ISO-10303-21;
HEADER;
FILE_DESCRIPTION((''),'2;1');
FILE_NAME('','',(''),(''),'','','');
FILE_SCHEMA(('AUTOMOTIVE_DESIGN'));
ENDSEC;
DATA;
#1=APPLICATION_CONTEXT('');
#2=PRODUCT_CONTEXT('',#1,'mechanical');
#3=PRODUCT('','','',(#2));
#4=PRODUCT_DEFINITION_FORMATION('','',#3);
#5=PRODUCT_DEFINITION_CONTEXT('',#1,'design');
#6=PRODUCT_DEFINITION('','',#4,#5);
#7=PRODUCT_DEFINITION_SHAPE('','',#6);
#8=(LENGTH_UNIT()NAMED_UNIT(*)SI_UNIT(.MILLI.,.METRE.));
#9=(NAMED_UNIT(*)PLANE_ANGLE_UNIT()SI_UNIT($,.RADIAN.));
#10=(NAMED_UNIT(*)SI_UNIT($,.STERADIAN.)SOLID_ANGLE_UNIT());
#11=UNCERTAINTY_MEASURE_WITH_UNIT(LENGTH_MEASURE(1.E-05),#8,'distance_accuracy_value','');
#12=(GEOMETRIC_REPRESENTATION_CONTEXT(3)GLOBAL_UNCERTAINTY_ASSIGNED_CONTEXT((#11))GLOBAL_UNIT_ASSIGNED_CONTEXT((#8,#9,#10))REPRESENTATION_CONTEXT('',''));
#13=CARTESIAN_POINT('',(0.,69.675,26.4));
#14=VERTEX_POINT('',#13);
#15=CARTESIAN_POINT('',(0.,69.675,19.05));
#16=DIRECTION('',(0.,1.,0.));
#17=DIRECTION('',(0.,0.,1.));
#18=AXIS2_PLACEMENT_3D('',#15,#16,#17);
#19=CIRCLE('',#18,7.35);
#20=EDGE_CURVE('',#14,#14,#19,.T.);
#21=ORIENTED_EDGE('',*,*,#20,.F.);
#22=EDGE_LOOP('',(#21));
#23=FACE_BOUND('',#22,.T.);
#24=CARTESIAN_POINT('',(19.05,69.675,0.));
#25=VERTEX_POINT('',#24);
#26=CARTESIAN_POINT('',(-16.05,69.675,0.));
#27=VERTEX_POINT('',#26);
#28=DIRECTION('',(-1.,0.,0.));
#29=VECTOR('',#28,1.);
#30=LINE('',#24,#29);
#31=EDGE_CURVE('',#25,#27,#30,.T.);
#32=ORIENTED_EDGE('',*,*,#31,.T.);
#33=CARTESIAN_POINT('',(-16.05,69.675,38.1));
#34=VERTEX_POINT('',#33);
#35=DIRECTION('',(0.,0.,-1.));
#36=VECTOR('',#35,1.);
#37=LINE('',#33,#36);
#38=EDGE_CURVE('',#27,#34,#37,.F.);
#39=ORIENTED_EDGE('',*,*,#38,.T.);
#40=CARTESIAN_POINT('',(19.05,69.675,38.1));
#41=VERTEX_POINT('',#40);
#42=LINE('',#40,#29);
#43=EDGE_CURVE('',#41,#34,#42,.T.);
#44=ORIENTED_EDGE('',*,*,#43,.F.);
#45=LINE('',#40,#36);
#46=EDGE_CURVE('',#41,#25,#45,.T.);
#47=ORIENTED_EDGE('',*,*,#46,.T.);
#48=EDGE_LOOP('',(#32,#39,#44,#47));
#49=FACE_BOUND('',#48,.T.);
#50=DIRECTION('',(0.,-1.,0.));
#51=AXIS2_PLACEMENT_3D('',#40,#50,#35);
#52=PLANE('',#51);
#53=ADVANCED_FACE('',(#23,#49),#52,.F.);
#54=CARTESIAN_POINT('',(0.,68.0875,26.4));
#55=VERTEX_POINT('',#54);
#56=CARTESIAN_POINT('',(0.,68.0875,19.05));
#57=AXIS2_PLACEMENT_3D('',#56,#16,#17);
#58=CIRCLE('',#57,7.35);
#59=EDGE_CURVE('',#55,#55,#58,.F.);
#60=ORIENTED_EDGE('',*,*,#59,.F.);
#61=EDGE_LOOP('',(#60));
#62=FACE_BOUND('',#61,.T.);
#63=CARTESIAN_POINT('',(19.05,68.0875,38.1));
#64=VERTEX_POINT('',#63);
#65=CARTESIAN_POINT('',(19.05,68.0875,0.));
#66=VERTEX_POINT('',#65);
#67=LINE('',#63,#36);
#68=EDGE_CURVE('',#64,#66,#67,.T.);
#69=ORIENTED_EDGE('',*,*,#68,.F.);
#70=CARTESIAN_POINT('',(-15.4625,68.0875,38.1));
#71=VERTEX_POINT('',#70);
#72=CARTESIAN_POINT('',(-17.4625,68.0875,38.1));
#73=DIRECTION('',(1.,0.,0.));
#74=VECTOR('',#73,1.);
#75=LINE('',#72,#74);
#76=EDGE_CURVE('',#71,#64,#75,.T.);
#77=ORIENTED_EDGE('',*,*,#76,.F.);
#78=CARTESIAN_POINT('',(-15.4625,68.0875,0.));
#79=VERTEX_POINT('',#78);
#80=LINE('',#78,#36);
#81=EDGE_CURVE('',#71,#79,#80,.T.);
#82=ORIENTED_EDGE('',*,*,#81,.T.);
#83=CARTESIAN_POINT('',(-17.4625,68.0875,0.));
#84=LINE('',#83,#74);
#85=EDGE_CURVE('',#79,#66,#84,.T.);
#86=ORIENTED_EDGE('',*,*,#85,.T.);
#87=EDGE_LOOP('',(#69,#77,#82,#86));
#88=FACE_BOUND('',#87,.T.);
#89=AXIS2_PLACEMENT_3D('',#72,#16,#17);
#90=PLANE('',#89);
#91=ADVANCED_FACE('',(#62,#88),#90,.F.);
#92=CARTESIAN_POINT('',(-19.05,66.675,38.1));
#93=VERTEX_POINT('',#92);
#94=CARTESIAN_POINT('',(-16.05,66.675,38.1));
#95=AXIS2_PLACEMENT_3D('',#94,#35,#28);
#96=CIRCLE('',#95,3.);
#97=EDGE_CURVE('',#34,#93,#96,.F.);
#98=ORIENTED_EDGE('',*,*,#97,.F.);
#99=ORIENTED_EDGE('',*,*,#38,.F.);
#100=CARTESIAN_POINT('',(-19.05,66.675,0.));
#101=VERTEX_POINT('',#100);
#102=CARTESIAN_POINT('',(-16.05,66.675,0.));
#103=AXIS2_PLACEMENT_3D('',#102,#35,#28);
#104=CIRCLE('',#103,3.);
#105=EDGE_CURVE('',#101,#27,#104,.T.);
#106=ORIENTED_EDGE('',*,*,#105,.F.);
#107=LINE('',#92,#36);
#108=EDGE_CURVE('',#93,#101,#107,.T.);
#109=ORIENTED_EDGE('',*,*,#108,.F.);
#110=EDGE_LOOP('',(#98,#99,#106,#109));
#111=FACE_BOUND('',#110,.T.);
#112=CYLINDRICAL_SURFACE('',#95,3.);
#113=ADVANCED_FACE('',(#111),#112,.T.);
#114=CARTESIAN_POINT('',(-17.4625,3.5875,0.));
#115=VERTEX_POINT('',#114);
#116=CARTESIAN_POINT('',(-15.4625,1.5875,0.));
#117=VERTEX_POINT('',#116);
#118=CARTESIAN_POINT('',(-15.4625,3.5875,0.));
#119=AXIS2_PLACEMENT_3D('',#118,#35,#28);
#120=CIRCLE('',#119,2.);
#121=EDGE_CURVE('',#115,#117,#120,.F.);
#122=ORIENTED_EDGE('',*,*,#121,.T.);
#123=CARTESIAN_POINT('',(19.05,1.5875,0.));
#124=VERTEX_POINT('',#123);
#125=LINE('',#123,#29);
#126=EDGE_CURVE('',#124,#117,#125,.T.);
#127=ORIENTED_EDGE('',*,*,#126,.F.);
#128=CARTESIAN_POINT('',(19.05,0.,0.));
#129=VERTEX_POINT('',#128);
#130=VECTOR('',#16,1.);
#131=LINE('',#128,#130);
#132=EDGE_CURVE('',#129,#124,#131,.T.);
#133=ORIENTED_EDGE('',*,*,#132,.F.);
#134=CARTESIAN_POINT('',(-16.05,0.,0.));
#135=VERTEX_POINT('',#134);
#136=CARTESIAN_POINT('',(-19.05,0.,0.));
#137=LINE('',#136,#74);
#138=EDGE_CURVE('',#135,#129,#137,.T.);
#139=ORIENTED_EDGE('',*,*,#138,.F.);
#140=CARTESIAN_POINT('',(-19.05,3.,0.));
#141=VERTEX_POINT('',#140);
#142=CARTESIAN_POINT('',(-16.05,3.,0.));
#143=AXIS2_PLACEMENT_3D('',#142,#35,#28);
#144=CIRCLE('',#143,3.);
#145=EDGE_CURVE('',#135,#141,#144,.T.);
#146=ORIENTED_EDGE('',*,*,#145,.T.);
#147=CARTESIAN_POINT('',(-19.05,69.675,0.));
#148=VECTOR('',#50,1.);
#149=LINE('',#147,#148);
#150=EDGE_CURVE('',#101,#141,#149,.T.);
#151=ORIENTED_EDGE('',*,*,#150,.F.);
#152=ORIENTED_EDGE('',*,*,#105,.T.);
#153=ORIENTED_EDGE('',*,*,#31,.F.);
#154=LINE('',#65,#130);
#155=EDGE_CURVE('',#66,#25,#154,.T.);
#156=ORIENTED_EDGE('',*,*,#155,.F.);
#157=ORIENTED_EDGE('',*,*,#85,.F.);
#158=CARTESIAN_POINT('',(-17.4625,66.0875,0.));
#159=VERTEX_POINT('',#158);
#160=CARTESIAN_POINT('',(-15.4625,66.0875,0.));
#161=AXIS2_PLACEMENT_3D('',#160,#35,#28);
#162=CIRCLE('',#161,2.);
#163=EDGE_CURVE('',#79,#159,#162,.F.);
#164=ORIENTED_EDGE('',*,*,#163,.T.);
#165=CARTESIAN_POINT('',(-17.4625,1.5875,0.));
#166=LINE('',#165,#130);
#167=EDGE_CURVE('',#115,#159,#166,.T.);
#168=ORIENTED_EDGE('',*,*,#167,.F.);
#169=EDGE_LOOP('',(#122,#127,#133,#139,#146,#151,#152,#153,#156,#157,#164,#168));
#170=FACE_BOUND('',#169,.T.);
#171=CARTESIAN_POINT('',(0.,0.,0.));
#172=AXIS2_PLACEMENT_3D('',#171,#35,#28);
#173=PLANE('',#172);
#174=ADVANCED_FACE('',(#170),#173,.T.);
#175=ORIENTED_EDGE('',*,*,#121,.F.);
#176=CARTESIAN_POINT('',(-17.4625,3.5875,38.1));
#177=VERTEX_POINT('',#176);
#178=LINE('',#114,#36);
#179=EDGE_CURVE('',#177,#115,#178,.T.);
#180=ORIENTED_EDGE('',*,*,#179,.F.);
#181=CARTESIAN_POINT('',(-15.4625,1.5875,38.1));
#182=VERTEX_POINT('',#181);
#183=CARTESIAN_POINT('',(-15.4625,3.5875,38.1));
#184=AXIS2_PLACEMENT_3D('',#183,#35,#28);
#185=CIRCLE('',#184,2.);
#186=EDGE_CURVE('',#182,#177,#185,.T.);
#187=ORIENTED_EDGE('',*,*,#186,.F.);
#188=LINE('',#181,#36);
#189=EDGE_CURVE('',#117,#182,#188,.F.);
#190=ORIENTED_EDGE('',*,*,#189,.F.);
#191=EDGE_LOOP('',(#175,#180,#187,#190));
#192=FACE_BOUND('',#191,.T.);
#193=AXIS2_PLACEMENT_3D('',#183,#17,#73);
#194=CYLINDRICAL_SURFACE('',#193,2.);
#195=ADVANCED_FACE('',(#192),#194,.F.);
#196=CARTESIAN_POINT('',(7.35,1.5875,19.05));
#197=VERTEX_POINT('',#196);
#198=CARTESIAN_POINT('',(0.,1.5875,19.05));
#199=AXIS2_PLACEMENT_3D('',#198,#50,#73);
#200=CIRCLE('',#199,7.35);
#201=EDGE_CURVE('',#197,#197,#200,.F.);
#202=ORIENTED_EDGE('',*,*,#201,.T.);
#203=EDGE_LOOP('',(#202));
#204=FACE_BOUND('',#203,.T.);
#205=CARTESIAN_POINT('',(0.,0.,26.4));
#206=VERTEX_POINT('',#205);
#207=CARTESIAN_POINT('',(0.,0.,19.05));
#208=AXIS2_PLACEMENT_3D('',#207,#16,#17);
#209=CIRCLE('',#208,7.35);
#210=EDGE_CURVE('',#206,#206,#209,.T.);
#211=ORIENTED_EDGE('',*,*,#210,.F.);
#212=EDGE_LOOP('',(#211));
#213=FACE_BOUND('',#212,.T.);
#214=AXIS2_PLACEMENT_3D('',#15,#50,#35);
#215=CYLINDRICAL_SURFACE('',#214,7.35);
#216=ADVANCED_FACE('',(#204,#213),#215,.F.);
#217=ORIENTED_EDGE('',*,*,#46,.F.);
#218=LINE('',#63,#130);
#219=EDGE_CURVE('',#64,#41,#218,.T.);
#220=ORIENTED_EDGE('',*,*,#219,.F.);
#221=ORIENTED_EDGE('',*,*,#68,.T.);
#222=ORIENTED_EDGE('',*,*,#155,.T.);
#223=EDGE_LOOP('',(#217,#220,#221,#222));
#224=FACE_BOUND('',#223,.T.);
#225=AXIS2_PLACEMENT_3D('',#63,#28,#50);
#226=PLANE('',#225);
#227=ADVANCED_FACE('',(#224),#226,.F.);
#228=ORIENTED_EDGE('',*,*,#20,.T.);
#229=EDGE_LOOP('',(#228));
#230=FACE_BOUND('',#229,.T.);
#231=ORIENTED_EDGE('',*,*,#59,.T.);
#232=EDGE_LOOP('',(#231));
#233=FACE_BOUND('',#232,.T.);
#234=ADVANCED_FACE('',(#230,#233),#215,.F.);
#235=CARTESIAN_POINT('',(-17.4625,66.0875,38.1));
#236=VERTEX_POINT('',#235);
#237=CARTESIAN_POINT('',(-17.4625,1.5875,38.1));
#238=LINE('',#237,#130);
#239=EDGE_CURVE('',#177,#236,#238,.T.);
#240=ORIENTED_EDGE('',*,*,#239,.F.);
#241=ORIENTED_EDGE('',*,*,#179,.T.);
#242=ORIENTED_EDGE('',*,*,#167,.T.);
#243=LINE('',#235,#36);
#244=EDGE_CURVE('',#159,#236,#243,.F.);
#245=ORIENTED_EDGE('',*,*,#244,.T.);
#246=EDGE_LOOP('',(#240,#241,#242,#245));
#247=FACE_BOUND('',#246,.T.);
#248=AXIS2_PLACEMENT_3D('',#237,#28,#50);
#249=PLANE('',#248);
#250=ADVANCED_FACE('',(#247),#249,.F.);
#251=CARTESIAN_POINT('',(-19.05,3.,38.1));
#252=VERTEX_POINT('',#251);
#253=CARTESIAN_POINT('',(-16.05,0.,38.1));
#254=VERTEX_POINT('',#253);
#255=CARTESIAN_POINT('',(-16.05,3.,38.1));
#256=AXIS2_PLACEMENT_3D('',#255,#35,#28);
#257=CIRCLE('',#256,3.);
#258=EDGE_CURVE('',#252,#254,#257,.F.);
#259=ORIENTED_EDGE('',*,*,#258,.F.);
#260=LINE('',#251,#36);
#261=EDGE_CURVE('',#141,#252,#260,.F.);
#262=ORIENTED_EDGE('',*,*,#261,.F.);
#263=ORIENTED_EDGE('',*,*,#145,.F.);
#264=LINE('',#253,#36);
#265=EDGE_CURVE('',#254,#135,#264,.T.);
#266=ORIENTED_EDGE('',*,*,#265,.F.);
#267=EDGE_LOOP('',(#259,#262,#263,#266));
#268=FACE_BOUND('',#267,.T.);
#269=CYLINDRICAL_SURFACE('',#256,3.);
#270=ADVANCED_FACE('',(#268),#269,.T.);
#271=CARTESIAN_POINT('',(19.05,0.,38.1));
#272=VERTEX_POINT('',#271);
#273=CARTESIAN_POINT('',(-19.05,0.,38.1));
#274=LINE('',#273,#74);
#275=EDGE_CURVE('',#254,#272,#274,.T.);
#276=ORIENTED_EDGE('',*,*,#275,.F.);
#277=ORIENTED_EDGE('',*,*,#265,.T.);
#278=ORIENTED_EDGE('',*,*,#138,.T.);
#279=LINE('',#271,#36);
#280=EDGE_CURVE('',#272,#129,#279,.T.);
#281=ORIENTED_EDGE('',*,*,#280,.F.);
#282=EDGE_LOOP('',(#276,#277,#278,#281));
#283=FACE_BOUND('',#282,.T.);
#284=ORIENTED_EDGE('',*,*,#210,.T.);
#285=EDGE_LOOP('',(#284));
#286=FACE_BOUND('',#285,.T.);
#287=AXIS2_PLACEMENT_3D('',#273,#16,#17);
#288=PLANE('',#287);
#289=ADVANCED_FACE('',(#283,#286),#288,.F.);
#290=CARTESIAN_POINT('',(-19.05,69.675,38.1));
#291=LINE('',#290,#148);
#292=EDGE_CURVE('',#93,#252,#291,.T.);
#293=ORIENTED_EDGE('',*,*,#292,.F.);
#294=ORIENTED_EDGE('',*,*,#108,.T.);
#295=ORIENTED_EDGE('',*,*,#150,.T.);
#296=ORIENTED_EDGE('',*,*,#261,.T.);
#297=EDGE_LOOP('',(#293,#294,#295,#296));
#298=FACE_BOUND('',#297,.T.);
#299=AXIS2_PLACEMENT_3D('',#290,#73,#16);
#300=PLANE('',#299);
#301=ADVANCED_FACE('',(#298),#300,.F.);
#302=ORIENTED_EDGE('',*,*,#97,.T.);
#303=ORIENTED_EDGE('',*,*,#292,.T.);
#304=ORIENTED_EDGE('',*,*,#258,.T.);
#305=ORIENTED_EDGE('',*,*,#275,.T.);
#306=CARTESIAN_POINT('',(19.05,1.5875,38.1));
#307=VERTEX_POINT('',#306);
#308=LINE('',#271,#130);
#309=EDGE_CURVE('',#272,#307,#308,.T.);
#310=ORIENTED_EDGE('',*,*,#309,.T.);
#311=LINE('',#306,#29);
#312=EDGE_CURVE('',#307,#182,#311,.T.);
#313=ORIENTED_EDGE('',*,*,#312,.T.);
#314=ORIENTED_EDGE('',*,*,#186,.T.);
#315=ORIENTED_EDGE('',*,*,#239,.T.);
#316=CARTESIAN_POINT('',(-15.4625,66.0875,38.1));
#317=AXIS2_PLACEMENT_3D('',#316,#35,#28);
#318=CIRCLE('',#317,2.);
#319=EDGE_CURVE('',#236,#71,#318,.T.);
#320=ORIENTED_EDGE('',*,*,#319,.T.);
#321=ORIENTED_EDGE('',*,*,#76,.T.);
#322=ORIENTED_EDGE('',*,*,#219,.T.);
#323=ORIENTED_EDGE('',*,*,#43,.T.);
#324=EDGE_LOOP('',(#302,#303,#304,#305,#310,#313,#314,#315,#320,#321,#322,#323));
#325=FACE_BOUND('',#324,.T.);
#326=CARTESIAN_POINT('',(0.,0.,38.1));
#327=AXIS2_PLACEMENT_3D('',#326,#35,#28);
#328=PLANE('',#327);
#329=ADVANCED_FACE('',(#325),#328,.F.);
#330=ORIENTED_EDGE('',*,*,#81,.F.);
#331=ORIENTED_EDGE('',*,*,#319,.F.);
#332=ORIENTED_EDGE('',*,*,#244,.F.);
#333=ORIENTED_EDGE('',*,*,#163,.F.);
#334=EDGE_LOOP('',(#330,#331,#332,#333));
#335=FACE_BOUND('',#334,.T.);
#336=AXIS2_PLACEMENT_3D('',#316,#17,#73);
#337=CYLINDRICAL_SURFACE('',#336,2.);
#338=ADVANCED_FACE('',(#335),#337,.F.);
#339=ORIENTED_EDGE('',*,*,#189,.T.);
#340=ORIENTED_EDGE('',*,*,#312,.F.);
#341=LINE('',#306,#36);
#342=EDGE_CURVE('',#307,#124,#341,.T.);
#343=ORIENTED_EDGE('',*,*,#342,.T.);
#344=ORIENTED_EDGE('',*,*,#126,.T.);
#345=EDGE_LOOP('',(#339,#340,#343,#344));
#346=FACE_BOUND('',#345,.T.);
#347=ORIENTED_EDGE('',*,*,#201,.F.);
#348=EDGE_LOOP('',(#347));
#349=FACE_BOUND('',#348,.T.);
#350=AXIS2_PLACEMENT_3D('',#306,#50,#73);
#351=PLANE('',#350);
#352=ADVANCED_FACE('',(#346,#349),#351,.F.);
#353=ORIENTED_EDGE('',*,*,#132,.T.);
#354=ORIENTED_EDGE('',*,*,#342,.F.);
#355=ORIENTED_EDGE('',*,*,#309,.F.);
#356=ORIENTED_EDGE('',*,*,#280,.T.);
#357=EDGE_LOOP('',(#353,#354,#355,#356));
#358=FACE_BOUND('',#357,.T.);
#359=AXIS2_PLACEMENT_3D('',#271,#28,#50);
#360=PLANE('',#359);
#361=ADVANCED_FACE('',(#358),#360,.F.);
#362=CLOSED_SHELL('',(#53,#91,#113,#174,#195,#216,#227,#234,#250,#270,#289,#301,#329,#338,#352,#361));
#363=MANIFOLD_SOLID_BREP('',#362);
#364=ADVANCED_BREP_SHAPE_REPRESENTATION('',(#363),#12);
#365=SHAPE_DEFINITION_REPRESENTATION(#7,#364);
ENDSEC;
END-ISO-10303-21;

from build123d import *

# Parameters (mm, degrees)
BOSS_EXTRUDE1_DEPTH = 38.1
SKETCH3_R           = 7.35
CUT_EXTRUDE1_DEPTH  = 82.664668768
FILLET1_R           = 2
FILLET2_R           = 3


with BuildPart() as part:
    # Sketch1 → Boss-Extrude1 (new body)
    with BuildSketch(Plane.XY):
        Polygon((-17.4625, 68.0875), (19.05, 68.0875), (19.05, 69.675), (-19.05, 69.675), (-19.05, 0), (19.05, 0), (19.05, 1.5875), (-17.4625, 1.5875), align=None)
    extrude(amount=BOSS_EXTRUDE1_DEPTH)

    # Sketch3 → Cut-Extrude1 (cut, through all)
    with BuildSketch(Plane(origin=(0, 0, 0), x_dir=(1, 0, 0), z_dir=(0, 1, 0))):
        with Locations((0, -19.05)):
            Circle(SKETCH3_R)
    extrude(amount=CUT_EXTRUDE1_DEPTH, mode=Mode.SUBTRACT)

    # Fillet1
    fillet1_edges = [part.edges().sort_by_distance(p)[0] for p in [
        (-17.4625, 1.5875, 19.05),
        (-17.4625, 68.0875, 19.05),
    ]]
    fillet(fillet1_edges, radius=FILLET1_R)

    # Fillet2
    fillet2_edges = [part.edges().sort_by_distance(p)[0] for p in [
        (-19.05, 0, 19.05),
        (-19.05, 69.675, 19.05),
    ]]
    fillet(fillet2_edges, radius=FILLET2_R)


solid = part.part
